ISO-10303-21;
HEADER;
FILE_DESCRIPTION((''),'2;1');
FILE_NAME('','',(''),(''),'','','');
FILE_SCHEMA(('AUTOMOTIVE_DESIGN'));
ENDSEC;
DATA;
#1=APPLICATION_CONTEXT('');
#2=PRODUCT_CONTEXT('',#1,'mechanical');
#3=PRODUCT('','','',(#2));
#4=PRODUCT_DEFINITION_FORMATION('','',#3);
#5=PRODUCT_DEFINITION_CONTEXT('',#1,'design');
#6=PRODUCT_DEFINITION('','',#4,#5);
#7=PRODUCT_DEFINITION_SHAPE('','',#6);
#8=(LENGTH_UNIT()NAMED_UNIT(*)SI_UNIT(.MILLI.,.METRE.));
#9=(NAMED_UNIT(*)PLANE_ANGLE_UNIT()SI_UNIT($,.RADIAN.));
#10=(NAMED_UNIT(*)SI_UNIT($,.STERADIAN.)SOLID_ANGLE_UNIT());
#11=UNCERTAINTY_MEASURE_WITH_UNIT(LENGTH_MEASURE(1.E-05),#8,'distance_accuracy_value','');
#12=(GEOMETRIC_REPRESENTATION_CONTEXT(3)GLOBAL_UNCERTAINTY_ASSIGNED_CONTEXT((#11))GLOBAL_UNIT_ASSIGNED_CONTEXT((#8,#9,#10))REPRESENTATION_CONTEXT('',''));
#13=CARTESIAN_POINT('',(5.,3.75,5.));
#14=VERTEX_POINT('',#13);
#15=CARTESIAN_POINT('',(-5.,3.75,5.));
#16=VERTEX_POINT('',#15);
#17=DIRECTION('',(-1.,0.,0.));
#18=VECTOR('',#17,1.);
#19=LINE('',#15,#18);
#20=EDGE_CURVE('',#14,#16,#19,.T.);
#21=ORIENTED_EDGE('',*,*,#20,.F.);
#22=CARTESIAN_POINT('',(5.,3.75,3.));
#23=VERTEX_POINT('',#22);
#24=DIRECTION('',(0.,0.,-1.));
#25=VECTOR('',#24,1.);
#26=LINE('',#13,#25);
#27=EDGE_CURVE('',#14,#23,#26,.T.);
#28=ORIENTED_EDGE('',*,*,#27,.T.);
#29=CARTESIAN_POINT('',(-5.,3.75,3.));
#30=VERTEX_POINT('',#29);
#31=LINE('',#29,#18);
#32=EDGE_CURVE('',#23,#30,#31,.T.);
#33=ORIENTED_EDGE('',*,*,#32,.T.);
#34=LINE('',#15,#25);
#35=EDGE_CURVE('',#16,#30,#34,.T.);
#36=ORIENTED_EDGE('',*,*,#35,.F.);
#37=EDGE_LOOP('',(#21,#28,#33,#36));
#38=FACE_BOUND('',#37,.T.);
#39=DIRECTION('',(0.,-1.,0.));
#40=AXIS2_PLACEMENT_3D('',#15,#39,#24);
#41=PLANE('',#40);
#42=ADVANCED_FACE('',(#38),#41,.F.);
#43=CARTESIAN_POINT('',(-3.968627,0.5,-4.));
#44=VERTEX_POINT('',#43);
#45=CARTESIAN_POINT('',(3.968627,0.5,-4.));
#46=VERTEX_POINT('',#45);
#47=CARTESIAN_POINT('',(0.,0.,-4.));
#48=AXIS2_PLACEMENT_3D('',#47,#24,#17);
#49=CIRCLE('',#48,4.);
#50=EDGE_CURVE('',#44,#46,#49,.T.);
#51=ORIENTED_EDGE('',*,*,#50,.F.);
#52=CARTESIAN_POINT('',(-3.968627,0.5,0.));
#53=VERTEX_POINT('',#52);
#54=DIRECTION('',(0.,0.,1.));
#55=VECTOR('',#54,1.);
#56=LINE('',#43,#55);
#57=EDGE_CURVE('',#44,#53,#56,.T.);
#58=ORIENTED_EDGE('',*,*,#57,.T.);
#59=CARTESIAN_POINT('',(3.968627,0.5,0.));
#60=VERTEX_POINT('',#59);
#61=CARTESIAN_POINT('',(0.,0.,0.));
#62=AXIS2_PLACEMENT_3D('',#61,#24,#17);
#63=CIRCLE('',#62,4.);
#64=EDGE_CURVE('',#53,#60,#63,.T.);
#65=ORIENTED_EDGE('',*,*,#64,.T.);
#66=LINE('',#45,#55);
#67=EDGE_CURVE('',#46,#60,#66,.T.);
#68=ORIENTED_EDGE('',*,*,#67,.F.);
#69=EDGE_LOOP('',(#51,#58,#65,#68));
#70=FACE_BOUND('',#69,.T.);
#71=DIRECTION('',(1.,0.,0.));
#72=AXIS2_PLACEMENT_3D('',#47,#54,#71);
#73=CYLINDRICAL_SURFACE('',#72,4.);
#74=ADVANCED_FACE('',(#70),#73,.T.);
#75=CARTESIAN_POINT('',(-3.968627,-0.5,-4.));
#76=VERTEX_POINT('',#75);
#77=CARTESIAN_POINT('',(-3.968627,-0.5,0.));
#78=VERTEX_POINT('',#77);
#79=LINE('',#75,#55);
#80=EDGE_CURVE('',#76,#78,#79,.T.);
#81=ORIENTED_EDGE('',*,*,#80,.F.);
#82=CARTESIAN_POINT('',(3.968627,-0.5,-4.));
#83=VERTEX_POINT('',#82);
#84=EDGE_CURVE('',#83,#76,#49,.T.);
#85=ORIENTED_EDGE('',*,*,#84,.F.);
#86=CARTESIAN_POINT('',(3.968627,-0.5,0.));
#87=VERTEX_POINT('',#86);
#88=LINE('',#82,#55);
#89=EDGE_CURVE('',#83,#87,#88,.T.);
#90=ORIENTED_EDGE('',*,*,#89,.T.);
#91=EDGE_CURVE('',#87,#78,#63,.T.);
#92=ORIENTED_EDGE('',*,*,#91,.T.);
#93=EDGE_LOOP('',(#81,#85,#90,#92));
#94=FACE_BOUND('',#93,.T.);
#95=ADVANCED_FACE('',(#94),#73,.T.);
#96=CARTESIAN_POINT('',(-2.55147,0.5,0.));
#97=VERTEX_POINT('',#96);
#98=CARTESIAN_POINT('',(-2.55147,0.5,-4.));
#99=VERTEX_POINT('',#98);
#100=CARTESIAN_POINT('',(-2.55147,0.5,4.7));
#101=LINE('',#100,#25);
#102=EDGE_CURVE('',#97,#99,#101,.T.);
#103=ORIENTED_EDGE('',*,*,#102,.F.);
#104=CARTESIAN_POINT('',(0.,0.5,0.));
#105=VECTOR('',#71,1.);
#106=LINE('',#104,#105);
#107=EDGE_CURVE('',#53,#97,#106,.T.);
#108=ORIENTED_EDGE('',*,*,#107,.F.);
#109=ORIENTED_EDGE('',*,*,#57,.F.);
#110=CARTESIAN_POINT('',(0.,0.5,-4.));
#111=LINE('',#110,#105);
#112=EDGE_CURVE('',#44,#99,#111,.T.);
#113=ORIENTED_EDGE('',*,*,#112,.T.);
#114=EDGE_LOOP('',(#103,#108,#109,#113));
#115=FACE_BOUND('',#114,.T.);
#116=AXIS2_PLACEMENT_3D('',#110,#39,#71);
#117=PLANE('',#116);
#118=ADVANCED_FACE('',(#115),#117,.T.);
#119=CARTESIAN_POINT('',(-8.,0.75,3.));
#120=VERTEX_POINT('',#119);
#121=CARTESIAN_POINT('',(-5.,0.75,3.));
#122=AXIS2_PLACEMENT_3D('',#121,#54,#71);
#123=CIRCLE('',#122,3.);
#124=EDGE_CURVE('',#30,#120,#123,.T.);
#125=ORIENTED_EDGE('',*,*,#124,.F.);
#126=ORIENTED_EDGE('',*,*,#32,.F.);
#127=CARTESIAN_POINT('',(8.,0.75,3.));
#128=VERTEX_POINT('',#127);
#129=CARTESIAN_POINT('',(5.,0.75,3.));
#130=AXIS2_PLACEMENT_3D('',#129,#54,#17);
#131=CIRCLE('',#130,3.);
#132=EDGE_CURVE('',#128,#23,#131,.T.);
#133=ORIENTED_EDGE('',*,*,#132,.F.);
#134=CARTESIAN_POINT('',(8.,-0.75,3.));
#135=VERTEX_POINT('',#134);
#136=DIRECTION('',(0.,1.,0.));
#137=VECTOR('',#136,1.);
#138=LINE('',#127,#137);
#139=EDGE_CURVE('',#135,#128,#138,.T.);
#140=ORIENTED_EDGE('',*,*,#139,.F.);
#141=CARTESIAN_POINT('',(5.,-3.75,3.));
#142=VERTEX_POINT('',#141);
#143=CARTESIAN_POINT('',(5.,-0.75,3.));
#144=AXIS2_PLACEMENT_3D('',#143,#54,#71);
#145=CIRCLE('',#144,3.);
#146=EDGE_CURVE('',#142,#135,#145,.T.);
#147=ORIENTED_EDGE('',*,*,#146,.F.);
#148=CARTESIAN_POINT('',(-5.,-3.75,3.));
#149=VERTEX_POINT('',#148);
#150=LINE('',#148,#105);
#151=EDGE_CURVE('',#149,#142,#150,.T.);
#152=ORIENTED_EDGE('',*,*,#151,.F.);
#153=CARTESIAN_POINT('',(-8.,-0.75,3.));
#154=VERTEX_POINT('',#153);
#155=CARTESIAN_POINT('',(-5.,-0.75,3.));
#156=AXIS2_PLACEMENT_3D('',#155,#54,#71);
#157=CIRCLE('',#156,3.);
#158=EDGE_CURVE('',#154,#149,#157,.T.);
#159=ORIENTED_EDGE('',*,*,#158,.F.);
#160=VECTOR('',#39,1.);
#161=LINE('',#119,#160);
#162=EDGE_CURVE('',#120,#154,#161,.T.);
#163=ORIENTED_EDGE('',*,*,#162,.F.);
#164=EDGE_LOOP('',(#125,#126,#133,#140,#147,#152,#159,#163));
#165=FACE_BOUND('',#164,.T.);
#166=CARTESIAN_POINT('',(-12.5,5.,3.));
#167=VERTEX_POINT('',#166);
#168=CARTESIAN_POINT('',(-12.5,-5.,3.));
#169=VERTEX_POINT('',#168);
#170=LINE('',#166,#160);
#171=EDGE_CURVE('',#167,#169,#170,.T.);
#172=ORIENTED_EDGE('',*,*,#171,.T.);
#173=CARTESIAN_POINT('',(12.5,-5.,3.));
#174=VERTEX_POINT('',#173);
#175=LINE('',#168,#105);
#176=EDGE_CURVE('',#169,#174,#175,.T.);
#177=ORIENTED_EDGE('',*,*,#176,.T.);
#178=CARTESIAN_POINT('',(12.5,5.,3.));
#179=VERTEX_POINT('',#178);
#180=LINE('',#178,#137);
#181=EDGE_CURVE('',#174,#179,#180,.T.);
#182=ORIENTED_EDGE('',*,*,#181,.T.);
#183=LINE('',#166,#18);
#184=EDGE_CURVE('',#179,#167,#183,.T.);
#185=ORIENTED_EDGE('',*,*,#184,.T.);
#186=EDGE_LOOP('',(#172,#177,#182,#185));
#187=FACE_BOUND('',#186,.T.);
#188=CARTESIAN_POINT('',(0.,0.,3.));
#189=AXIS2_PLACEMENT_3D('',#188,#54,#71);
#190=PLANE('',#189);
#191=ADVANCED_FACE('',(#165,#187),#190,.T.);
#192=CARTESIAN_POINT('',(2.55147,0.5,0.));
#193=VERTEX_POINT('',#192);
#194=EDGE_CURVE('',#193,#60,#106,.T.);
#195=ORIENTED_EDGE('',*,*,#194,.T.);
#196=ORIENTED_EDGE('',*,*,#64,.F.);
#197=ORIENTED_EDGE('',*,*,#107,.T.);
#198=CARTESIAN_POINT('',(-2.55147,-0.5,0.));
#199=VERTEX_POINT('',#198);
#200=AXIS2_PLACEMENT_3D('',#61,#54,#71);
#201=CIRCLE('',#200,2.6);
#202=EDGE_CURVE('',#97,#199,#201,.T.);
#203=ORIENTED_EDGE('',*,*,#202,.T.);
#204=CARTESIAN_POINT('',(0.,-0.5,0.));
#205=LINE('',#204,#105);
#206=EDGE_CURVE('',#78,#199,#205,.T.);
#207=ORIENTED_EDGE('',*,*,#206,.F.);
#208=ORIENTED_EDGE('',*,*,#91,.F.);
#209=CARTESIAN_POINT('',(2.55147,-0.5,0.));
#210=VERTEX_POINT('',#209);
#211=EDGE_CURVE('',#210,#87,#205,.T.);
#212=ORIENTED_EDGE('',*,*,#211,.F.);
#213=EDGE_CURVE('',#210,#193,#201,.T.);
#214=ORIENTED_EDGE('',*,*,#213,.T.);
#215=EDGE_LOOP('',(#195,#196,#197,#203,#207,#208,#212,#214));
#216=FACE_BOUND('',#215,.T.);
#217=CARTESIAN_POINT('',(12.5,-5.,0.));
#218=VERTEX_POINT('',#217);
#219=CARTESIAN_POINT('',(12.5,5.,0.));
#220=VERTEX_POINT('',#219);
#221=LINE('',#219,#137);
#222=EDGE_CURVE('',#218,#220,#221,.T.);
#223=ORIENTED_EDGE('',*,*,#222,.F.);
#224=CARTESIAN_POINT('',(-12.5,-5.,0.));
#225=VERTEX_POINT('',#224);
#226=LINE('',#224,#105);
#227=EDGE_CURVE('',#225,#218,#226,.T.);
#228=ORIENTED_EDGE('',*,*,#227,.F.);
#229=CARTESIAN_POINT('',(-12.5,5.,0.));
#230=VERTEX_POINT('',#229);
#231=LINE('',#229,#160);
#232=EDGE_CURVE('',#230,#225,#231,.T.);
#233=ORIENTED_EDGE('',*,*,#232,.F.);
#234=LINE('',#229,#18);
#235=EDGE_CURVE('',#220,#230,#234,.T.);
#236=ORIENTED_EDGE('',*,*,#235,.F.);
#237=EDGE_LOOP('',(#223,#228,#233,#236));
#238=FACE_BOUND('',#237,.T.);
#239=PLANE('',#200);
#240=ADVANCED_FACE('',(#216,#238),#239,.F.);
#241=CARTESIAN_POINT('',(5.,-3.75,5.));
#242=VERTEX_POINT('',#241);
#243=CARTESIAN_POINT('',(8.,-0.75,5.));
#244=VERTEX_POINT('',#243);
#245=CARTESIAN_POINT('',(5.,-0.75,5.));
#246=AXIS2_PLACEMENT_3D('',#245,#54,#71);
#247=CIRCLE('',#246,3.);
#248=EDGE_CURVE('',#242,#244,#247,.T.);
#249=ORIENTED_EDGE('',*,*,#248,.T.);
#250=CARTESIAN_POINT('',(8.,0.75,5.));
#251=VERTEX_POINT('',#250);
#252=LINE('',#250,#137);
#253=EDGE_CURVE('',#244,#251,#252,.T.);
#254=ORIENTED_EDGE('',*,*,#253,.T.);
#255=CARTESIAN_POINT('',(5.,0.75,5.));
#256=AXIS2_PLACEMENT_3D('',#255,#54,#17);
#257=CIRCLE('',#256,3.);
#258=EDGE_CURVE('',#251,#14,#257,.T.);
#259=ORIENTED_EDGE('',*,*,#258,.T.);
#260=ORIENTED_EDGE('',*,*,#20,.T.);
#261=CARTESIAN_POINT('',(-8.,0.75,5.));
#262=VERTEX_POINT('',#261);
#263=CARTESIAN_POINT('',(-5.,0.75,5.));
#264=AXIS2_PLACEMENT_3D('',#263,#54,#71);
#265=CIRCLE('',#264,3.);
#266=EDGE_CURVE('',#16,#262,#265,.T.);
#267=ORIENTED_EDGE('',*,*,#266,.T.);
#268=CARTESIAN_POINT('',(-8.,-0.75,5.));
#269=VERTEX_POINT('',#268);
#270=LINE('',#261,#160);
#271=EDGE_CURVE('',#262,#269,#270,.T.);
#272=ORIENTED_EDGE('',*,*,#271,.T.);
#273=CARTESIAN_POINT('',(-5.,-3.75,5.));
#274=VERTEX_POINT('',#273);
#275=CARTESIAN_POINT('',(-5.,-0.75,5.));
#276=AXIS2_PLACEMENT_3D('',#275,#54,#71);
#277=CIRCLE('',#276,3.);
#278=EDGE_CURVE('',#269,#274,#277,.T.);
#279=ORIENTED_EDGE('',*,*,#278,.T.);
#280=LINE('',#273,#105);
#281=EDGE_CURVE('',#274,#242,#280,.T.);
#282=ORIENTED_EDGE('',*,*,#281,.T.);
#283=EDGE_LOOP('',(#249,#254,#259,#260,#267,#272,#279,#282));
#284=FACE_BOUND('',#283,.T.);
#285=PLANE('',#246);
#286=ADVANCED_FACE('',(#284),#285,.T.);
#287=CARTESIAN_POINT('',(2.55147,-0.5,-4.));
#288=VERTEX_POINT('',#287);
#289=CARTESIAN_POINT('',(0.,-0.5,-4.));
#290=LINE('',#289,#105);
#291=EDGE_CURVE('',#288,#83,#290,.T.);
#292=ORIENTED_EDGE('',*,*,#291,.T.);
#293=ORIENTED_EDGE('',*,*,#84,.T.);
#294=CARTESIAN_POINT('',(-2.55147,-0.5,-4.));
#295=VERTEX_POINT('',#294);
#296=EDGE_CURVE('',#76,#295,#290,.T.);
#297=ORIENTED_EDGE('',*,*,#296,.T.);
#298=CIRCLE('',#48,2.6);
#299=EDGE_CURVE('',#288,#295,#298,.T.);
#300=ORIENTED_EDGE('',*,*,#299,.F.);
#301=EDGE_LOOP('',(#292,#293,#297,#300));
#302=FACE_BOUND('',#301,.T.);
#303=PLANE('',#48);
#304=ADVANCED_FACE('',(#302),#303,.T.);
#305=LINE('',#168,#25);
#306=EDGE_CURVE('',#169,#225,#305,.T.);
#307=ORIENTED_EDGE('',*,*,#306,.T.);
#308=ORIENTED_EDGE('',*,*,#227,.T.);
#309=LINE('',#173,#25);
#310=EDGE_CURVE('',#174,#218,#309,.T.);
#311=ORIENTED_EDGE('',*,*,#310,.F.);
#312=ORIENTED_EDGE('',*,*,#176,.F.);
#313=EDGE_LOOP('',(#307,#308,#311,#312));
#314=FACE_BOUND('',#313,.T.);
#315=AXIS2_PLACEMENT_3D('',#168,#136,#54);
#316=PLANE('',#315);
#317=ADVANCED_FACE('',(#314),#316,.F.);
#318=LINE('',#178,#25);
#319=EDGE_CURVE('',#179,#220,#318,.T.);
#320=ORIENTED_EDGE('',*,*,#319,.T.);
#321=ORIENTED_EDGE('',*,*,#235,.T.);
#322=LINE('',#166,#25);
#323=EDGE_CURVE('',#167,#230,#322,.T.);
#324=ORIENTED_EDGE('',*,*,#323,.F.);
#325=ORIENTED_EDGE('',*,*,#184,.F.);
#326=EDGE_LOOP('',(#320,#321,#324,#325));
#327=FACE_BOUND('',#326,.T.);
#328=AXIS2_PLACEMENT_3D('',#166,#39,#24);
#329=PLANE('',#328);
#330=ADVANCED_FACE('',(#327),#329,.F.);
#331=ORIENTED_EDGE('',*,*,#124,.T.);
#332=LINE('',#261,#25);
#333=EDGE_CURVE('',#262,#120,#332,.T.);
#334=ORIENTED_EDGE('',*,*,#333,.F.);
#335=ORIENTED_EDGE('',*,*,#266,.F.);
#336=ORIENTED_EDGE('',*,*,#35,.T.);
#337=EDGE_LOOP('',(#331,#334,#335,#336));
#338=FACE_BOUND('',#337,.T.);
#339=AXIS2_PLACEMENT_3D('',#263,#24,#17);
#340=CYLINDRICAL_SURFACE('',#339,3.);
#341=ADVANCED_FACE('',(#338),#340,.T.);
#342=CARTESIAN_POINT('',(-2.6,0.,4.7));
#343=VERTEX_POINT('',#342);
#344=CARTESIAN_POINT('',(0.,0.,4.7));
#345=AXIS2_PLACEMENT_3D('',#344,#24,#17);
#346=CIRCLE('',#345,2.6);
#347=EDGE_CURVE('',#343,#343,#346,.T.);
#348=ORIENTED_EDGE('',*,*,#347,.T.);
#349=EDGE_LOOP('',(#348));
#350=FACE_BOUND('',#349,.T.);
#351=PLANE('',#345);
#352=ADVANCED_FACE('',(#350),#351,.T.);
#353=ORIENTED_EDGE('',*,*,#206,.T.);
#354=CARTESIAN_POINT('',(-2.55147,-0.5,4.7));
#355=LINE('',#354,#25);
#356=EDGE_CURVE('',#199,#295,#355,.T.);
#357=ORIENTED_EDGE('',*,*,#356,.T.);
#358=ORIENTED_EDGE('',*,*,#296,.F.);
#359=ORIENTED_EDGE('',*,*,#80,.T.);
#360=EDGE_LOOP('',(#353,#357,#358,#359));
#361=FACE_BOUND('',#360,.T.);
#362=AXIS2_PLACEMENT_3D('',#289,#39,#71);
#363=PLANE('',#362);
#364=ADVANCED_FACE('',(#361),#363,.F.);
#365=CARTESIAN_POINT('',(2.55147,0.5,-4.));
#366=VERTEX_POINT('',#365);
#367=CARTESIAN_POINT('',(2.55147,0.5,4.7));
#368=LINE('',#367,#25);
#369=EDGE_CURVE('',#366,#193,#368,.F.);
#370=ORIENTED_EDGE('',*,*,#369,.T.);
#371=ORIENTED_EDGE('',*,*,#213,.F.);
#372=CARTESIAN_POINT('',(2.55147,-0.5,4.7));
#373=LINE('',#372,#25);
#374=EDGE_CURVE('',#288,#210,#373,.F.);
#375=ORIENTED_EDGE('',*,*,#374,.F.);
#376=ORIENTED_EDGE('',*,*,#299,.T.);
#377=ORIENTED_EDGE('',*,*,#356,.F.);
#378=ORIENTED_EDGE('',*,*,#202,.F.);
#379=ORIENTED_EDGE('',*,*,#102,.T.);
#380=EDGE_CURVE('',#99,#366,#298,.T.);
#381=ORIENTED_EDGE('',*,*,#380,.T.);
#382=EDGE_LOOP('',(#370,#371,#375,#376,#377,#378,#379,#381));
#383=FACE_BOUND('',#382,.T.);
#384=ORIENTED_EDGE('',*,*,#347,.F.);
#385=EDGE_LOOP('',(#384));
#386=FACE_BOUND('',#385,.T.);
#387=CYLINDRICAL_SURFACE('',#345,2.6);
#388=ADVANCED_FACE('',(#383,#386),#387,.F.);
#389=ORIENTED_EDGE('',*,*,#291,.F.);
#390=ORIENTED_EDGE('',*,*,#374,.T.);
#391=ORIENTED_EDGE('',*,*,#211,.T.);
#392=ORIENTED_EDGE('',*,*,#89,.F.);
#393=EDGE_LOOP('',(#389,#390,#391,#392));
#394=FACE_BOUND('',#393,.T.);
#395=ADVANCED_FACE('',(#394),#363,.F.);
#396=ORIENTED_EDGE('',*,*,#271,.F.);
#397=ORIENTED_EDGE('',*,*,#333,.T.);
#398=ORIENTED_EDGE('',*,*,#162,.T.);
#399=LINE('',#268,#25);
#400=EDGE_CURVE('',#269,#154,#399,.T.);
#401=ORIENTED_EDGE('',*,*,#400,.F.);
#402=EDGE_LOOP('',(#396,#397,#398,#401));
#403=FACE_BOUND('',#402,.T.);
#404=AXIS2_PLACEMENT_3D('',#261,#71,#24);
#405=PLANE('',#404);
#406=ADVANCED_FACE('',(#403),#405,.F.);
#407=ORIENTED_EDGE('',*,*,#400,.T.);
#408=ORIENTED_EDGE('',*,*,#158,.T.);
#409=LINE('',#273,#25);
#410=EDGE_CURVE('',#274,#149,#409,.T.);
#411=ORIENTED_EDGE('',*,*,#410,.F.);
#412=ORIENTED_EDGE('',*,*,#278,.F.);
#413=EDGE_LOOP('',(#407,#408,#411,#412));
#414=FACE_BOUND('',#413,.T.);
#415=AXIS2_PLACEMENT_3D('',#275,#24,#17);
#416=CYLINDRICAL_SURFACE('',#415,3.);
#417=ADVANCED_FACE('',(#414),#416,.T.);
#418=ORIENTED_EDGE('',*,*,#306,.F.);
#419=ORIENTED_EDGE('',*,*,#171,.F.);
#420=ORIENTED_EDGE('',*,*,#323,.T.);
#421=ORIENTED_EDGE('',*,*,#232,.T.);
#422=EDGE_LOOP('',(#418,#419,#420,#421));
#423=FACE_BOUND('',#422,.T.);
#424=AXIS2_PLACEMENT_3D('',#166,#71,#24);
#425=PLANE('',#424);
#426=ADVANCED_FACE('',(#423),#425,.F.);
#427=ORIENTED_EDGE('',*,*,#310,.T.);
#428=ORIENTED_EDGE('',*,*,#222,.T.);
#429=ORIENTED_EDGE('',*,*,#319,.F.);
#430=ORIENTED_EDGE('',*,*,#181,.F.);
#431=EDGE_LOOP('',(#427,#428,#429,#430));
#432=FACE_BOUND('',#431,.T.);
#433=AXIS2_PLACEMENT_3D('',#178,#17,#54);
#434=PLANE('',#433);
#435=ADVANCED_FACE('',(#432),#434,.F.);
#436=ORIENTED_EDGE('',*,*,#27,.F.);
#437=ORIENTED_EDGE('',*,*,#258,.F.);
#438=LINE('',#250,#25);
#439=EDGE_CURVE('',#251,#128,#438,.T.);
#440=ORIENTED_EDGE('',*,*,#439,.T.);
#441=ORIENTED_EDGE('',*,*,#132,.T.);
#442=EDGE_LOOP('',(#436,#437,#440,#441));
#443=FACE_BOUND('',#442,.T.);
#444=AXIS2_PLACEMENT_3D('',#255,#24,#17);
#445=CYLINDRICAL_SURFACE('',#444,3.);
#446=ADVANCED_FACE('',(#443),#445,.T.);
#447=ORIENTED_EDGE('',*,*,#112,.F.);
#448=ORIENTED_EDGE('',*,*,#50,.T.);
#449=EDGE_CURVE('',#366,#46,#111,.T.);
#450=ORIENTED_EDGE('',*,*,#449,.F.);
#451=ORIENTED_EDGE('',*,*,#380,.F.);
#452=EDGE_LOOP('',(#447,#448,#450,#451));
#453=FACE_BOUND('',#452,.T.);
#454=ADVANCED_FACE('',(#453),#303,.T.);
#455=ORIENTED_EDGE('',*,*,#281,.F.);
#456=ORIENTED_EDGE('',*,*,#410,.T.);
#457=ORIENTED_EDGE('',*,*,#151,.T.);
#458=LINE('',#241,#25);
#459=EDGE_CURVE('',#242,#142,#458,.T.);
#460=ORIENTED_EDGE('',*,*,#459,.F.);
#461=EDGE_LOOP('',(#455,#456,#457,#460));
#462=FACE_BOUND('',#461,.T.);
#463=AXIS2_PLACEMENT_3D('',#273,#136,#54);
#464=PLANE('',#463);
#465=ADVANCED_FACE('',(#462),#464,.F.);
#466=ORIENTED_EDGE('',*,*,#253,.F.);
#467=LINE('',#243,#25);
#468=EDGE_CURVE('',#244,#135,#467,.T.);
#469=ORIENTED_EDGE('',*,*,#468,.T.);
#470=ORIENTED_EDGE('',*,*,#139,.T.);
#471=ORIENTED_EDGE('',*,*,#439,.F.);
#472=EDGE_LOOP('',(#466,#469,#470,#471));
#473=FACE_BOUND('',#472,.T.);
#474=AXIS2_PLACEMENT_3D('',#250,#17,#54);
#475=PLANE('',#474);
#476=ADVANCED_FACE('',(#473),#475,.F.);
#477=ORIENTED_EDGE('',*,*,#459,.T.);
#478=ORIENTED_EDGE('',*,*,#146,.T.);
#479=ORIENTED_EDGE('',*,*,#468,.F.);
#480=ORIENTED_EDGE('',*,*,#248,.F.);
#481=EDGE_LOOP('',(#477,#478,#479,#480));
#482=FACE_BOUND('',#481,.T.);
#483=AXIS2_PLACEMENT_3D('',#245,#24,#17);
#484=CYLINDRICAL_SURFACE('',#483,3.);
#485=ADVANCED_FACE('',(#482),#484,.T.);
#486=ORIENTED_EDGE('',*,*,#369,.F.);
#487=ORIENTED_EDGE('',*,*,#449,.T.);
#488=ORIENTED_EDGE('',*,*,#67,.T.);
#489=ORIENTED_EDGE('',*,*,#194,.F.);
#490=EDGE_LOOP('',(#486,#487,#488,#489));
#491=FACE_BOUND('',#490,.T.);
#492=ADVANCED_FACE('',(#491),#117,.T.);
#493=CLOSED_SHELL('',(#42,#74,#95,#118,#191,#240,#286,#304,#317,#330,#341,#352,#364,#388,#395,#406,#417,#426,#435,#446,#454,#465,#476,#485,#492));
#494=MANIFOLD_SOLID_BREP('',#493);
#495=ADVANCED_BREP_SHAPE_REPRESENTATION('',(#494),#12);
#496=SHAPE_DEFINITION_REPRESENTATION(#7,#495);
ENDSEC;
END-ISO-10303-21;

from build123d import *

# Parameters (mm, degrees)
SKICA1_W                 = 25
SKICA1_H                 = 10
P_IDAT_VYSUNUT_M1_DEPTH  = 3
P_IDAT_VYSUNUT_M2_DEPTH  = 2
P_IDAT_VYSUNUT_M3_DEPTH  = 4
SKICA4_R                 = 2.6
ODEBRAT_VYSUNUT_M1_DEPTH = 8.7


with BuildPart() as part:
    # Skica1 → Přidat vysunutím1 (new body)
    with BuildSketch(Plane.XY):
        Rectangle(SKICA1_W, SKICA1_H)
    extrude(amount=P_IDAT_VYSUNUT_M1_DEPTH)

    # Skica2 → Přidat vysunutím2 (add)
    with BuildSketch(Plane.XY.offset(3)):
        with BuildLine():
            Line((-5, 3.75), (5, 3.75))
            ThreePointArc((5, 3.75), (7.121320344, 2.871320344), (8, 0.75))
            Line((8, 0.75), (8, -0.75))
            ThreePointArc((8, -0.75), (7.121320344, -2.871320344), (5, -3.75))
            Line((5, -3.75), (-5, -3.75))
            ThreePointArc((-5, -3.75), (-7.121320344, -2.871320344), (-8, -0.75))
            Line((-8, -0.75), (-8, 0.75))
            ThreePointArc((-8, 0.75), (-7.121320344, 2.871320344), (-5, 3.75))
        make_face()
    extrude(amount=P_IDAT_VYSUNUT_M2_DEPTH)

    # Skica3 → Přidat vysunutím3 (add)
    with BuildSketch(Plane(origin=(0, 0, 0), x_dir=(-1, 0, 0), z_dir=(0, 0, -1))):
        with BuildLine():
            ThreePointArc((3.968626967, 0.5), (0, 4), (-3.968626967, 0.5))
            Line((-3.968626967, 0.5), (3.968626967, 0.5))
        make_face()
        with BuildLine():
            ThreePointArc((-3.968626967, -0.5), (0, -4), (3.968626967, -0.5))
            Line((3.968626967, -0.5), (-3.968626967, -0.5))
        make_face()
    extrude(amount=P_IDAT_VYSUNUT_M3_DEPTH)

    # Skica4 → Odebrat vysunutím1 (cut)
    with BuildSketch(Plane(origin=(0, 0, -4), x_dir=(-1, 0, 0), z_dir=(0, 0, -1))):
        Circle(SKICA4_R)
    extrude(amount=-ODEBRAT_VYSUNUT_M1_DEPTH, mode=Mode.SUBTRACT)


solid = part.part
